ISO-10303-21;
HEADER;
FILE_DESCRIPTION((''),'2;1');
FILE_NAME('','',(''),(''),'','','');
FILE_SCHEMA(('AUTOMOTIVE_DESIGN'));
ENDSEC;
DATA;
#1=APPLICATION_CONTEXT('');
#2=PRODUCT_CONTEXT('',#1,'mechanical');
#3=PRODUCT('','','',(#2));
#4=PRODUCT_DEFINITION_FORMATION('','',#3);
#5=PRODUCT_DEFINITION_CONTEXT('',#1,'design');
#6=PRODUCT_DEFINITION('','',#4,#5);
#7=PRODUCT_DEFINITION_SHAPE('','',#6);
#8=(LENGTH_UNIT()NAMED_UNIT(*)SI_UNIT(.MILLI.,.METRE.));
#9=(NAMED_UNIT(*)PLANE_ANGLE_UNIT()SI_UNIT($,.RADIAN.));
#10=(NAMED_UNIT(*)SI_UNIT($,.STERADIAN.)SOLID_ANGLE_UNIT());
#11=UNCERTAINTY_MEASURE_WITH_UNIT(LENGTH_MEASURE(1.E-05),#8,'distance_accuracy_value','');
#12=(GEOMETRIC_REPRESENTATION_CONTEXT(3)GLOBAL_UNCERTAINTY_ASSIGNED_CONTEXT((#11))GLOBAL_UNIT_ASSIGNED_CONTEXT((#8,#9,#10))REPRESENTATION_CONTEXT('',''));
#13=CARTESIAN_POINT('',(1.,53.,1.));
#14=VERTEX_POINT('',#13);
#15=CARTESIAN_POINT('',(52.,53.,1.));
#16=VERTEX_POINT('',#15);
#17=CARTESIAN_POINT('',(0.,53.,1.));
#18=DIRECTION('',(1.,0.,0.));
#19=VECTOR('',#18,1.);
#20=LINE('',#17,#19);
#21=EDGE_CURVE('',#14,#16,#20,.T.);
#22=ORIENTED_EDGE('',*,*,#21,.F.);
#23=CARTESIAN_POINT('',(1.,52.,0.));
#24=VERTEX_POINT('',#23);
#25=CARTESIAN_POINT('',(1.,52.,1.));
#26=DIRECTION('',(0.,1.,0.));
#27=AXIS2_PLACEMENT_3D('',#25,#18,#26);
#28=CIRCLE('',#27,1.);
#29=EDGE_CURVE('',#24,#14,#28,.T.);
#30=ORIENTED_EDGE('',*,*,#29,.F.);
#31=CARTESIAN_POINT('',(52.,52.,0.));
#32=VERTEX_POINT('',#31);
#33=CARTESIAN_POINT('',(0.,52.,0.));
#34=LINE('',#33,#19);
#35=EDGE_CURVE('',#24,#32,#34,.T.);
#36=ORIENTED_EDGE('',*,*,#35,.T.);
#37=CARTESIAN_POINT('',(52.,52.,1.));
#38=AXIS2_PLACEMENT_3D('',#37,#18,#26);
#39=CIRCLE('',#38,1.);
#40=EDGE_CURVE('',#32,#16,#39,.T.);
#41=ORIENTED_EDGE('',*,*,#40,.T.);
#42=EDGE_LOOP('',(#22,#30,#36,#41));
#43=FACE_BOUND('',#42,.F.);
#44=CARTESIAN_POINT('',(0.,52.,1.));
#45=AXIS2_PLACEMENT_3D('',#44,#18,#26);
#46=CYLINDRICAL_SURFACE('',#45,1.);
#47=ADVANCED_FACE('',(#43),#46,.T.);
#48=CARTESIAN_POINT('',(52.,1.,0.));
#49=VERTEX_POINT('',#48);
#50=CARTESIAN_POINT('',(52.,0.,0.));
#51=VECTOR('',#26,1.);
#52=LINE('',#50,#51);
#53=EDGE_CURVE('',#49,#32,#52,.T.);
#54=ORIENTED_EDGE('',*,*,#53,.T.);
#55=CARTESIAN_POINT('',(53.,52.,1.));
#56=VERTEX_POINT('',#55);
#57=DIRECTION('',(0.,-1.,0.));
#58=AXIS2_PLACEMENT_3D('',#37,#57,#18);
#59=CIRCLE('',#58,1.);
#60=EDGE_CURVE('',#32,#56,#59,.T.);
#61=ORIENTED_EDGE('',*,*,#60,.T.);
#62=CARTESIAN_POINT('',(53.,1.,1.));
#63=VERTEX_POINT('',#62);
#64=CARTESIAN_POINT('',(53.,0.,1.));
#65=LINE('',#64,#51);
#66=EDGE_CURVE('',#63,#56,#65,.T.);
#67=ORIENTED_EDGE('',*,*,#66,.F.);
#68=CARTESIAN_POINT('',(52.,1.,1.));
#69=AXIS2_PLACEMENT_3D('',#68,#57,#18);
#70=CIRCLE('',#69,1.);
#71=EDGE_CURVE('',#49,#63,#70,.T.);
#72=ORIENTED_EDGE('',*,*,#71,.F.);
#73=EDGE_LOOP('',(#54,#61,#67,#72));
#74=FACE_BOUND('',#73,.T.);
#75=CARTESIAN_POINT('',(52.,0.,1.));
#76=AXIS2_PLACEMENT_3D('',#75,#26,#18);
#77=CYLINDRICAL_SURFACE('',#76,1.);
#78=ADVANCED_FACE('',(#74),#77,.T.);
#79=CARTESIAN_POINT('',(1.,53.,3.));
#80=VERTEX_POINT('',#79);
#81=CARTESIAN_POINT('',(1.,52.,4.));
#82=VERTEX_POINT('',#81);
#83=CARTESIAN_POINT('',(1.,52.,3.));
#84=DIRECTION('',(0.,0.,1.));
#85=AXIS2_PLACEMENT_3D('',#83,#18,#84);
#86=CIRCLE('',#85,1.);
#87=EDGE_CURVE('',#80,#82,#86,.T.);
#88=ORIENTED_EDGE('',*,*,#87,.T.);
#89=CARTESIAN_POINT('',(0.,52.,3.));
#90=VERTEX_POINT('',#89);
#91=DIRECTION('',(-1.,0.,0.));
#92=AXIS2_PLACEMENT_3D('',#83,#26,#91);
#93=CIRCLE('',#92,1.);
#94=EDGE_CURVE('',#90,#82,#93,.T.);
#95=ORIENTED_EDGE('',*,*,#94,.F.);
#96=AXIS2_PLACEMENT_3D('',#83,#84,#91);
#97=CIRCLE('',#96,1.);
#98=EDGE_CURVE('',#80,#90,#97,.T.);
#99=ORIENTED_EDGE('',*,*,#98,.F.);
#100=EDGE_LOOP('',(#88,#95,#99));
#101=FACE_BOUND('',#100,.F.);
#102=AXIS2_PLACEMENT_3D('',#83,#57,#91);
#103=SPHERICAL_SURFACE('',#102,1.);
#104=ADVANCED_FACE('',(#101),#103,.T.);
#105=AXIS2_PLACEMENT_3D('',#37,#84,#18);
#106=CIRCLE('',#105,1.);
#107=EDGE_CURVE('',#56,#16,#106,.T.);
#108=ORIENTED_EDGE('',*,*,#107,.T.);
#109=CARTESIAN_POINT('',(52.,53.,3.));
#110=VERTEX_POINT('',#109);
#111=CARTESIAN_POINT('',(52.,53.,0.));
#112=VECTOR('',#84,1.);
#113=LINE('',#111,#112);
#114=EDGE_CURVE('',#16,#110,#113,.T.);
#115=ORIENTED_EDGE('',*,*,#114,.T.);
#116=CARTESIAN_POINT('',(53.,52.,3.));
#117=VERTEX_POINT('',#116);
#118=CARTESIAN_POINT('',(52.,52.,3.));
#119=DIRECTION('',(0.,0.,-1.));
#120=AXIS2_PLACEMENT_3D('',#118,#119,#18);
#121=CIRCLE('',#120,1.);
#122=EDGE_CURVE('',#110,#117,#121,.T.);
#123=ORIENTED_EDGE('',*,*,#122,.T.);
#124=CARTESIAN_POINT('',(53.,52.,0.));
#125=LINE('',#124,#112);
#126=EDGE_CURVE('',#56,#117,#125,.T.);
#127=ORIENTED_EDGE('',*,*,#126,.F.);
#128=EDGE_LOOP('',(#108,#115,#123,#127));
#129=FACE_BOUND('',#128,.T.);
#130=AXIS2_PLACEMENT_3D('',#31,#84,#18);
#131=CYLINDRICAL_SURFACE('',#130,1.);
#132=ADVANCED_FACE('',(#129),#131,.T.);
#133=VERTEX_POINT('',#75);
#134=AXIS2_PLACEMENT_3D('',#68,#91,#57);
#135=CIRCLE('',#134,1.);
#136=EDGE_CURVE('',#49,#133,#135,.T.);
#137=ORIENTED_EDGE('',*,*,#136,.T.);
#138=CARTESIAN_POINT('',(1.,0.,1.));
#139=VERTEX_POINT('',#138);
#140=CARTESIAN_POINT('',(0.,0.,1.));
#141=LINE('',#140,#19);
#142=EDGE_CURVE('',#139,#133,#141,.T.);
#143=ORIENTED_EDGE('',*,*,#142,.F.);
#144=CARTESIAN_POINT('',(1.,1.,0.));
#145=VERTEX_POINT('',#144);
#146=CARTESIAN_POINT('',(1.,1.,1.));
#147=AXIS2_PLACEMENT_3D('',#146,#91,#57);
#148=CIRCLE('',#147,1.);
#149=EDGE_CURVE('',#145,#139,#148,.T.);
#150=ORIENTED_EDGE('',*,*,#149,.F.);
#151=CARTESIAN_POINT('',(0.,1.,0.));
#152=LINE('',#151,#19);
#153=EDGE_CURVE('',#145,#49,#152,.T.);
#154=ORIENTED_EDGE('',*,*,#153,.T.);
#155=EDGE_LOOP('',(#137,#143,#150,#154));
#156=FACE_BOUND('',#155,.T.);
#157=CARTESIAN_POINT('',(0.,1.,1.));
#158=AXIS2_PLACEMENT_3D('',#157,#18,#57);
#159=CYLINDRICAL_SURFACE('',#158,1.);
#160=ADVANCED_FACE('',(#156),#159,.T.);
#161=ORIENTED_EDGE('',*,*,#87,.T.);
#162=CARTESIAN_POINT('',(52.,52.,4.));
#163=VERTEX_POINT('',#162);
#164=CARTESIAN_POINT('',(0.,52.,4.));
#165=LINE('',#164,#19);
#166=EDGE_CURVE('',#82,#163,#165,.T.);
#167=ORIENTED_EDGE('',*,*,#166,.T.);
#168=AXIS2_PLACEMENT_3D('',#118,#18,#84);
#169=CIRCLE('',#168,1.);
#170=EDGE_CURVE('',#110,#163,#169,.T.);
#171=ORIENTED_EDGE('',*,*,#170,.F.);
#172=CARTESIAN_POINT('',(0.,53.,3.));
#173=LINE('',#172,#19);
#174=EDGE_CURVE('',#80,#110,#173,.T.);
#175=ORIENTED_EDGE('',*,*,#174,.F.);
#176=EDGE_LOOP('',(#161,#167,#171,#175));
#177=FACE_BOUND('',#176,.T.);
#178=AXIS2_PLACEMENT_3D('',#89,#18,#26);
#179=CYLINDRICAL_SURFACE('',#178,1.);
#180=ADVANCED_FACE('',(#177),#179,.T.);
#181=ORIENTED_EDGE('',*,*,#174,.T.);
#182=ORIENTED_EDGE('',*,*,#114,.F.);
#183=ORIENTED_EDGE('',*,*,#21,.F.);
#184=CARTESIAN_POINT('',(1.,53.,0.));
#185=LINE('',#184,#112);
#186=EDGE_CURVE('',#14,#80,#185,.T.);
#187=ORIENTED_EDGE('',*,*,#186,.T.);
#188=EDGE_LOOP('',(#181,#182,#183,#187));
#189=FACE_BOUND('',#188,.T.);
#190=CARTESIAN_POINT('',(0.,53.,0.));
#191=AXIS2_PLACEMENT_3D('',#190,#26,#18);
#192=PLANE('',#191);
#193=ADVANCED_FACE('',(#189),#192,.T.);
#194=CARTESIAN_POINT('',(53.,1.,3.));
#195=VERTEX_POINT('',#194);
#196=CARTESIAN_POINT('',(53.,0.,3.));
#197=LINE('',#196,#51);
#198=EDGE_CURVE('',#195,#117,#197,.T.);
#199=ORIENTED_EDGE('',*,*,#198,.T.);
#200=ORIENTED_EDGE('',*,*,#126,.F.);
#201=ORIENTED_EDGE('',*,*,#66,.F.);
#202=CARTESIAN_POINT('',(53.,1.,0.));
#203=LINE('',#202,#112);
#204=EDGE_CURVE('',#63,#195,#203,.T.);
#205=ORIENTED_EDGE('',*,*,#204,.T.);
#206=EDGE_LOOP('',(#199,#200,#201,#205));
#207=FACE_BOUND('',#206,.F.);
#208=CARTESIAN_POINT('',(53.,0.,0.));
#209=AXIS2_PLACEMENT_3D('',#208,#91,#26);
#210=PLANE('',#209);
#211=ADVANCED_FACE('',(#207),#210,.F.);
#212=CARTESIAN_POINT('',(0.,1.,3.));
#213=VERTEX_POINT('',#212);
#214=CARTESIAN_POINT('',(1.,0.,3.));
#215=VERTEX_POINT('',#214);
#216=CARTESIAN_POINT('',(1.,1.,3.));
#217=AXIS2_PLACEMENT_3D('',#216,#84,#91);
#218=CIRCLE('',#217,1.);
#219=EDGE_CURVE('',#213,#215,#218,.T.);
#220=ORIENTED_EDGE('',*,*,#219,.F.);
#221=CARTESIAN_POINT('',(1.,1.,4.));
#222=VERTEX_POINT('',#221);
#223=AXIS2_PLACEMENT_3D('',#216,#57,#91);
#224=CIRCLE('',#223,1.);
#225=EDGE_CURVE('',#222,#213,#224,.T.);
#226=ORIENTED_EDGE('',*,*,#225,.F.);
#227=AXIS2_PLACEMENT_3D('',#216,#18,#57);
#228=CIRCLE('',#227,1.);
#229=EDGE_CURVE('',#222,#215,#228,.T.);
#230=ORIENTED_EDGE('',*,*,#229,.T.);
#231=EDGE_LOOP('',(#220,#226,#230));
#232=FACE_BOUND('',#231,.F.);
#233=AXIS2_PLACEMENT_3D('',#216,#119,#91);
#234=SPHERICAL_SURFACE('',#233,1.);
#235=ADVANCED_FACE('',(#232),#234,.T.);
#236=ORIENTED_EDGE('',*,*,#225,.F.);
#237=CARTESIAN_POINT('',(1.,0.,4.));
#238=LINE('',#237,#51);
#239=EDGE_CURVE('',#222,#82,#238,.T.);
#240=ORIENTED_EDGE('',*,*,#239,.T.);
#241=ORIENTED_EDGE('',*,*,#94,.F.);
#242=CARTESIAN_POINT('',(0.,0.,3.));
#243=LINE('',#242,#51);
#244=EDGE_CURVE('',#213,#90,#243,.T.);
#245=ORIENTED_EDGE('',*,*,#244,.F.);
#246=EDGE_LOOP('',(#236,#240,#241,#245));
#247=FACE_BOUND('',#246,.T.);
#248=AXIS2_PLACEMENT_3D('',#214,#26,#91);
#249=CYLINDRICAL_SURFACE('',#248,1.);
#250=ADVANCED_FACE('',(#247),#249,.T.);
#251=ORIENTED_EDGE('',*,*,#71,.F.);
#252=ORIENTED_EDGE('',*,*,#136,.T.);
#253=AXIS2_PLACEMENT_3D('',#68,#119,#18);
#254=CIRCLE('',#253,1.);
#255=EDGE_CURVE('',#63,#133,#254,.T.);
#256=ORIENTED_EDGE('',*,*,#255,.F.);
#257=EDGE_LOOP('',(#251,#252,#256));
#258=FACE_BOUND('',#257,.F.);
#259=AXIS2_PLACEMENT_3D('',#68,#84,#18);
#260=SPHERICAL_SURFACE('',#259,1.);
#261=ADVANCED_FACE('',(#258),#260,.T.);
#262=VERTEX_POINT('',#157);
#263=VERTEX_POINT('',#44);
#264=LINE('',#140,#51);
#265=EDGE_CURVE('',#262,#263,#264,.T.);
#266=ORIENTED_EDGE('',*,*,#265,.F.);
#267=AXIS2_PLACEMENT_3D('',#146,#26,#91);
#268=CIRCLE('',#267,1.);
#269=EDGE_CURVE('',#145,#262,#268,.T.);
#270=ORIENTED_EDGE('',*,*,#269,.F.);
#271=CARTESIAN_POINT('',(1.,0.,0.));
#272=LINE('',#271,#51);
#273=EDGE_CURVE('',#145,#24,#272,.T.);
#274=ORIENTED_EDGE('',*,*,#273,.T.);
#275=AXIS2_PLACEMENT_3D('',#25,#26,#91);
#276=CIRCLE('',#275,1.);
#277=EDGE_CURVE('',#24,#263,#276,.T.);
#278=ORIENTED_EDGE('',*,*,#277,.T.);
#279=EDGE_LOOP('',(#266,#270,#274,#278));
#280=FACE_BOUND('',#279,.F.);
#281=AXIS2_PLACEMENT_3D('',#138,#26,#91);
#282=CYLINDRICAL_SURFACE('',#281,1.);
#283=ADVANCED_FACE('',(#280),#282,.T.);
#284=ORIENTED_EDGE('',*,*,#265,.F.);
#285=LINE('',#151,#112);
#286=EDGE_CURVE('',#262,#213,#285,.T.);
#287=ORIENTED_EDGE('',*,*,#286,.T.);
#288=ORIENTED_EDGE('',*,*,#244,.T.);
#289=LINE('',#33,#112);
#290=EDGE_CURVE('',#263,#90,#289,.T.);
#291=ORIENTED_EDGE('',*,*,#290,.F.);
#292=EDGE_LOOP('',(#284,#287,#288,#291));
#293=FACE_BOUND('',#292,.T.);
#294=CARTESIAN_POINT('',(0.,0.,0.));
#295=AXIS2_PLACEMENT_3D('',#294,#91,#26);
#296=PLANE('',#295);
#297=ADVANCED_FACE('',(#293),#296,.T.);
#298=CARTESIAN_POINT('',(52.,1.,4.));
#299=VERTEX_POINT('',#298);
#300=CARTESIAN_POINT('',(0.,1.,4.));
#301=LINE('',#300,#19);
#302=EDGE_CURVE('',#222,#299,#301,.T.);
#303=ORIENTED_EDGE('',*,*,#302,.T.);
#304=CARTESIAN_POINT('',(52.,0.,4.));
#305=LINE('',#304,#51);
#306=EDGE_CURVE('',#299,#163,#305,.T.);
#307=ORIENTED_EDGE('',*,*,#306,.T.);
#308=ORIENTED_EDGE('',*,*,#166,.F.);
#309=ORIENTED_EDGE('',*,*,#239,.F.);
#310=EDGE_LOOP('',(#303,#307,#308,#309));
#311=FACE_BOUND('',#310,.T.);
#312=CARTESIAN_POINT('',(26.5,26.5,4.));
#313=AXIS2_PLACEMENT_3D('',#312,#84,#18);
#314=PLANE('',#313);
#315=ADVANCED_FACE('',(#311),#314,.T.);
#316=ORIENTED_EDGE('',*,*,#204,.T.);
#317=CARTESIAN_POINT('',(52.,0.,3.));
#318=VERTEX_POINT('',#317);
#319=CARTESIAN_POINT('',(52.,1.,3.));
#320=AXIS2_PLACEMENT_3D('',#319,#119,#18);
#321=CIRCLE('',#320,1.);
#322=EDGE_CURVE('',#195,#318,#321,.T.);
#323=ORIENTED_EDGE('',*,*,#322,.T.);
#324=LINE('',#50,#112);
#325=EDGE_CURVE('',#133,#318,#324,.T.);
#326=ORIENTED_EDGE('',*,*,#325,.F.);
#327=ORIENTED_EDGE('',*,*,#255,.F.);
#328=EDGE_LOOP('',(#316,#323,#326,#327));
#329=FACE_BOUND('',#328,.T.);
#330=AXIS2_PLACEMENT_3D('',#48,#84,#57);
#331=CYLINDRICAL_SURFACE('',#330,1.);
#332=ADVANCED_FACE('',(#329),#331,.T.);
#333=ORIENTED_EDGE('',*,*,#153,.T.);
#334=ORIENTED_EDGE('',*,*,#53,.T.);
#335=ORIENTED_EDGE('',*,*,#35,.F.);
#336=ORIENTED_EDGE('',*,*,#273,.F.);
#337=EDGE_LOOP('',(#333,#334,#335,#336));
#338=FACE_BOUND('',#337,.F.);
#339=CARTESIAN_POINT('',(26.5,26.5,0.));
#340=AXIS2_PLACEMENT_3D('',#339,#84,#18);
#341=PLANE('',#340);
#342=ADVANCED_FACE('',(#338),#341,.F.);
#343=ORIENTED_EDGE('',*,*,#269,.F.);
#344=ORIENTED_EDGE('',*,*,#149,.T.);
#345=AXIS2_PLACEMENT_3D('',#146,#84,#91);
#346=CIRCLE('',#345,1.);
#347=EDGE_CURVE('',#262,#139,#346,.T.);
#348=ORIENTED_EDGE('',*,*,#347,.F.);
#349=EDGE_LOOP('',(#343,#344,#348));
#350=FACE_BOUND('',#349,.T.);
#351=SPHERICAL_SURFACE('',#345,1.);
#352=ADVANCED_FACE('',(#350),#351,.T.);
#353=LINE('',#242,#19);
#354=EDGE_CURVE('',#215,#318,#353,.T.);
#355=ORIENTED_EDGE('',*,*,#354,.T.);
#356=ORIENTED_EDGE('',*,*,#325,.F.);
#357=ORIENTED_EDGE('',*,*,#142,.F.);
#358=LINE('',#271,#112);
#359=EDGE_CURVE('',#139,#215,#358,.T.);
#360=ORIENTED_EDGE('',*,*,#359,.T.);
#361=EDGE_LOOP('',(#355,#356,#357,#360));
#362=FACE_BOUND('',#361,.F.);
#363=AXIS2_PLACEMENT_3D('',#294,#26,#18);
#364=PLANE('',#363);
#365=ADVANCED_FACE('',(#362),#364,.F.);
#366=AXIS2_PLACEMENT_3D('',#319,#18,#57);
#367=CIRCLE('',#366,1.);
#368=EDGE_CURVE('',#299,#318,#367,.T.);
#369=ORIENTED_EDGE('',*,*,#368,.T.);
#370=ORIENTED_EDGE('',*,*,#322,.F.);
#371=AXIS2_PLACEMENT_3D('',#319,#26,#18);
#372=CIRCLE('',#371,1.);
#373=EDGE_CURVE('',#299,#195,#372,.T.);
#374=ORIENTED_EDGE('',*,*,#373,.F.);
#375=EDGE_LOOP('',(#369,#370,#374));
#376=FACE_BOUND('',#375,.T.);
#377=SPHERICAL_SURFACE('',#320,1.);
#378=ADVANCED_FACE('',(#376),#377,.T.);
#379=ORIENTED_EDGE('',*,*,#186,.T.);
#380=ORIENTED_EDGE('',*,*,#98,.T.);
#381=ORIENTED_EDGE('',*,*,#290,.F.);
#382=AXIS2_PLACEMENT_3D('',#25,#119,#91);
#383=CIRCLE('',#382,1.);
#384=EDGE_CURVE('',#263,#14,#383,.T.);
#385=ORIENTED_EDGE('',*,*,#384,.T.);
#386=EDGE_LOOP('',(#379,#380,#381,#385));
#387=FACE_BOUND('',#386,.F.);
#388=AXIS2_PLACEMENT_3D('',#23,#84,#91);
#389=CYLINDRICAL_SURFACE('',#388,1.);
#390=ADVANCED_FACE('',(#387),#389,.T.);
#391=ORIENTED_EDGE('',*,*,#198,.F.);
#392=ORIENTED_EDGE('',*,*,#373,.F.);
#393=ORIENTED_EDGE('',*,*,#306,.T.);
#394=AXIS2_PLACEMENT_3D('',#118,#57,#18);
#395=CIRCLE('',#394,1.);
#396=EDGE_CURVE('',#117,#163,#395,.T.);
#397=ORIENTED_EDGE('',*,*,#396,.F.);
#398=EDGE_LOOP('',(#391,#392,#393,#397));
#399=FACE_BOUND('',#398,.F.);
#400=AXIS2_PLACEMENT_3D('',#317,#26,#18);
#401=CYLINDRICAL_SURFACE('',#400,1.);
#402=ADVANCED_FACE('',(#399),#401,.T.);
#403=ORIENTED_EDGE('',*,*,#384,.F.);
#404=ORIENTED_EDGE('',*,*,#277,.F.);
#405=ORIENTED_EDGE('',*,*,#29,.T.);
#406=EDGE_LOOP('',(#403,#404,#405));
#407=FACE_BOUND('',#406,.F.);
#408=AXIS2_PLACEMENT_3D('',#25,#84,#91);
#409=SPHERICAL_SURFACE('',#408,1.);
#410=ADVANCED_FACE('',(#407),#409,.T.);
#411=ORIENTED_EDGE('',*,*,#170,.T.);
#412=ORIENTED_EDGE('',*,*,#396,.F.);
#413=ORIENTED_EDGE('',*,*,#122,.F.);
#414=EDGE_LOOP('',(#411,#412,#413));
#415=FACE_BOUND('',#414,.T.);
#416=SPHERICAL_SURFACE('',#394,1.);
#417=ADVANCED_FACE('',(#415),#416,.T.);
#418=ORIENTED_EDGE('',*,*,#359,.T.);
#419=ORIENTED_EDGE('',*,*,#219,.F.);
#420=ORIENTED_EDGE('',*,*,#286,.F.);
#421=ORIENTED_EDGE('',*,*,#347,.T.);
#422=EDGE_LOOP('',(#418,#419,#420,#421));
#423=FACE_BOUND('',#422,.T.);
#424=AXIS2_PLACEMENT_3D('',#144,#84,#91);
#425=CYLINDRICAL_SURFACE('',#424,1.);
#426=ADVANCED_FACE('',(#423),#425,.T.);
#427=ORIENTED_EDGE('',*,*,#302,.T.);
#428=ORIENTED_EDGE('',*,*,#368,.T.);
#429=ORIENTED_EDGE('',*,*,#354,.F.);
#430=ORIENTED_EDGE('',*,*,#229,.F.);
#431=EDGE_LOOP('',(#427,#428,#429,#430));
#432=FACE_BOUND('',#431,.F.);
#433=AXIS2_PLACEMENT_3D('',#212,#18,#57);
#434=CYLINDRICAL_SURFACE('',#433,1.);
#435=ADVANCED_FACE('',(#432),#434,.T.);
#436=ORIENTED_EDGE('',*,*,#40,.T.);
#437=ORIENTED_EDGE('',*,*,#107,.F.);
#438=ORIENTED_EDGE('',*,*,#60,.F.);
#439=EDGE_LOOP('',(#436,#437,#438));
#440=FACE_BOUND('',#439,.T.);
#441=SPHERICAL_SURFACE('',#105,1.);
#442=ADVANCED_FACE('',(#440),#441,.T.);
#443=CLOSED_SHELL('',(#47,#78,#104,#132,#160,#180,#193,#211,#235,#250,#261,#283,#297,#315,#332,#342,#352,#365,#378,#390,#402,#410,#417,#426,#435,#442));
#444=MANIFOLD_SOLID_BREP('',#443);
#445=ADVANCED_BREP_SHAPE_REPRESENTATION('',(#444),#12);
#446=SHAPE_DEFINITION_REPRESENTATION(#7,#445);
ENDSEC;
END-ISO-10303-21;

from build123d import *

# Parameters (mm, degrees)
BOX_W     = 53
BOX_H     = 53
BOX_DEPTH = 4
FILLET_R  = 1


with BuildPart() as part:
    # Box → Box (new body)
    with BuildSketch(Plane.XY):
        with Locations((26.5, 26.5)):
            Rectangle(BOX_W, BOX_H)
    extrude(amount=BOX_DEPTH)

    # Fillet
    fillet_edges = [part.edges().sort_by_distance(p)[0] for p in [
        (0, 0, 2),
        (0, 26.5, 4),
        (0, 53, 2),
        (0, 26.5, 0),
        (53, 0, 2),
        (53, 26.5, 4),
        (53, 53, 2),
        (53, 26.5, 0),
        (26.5, 0, 0),
        (26.5, 0, 4),
        (26.5, 53, 0),
        (26.5, 53, 4),
    ]]
    fillet(fillet_edges, radius=FILLET_R)


solid = part.part
